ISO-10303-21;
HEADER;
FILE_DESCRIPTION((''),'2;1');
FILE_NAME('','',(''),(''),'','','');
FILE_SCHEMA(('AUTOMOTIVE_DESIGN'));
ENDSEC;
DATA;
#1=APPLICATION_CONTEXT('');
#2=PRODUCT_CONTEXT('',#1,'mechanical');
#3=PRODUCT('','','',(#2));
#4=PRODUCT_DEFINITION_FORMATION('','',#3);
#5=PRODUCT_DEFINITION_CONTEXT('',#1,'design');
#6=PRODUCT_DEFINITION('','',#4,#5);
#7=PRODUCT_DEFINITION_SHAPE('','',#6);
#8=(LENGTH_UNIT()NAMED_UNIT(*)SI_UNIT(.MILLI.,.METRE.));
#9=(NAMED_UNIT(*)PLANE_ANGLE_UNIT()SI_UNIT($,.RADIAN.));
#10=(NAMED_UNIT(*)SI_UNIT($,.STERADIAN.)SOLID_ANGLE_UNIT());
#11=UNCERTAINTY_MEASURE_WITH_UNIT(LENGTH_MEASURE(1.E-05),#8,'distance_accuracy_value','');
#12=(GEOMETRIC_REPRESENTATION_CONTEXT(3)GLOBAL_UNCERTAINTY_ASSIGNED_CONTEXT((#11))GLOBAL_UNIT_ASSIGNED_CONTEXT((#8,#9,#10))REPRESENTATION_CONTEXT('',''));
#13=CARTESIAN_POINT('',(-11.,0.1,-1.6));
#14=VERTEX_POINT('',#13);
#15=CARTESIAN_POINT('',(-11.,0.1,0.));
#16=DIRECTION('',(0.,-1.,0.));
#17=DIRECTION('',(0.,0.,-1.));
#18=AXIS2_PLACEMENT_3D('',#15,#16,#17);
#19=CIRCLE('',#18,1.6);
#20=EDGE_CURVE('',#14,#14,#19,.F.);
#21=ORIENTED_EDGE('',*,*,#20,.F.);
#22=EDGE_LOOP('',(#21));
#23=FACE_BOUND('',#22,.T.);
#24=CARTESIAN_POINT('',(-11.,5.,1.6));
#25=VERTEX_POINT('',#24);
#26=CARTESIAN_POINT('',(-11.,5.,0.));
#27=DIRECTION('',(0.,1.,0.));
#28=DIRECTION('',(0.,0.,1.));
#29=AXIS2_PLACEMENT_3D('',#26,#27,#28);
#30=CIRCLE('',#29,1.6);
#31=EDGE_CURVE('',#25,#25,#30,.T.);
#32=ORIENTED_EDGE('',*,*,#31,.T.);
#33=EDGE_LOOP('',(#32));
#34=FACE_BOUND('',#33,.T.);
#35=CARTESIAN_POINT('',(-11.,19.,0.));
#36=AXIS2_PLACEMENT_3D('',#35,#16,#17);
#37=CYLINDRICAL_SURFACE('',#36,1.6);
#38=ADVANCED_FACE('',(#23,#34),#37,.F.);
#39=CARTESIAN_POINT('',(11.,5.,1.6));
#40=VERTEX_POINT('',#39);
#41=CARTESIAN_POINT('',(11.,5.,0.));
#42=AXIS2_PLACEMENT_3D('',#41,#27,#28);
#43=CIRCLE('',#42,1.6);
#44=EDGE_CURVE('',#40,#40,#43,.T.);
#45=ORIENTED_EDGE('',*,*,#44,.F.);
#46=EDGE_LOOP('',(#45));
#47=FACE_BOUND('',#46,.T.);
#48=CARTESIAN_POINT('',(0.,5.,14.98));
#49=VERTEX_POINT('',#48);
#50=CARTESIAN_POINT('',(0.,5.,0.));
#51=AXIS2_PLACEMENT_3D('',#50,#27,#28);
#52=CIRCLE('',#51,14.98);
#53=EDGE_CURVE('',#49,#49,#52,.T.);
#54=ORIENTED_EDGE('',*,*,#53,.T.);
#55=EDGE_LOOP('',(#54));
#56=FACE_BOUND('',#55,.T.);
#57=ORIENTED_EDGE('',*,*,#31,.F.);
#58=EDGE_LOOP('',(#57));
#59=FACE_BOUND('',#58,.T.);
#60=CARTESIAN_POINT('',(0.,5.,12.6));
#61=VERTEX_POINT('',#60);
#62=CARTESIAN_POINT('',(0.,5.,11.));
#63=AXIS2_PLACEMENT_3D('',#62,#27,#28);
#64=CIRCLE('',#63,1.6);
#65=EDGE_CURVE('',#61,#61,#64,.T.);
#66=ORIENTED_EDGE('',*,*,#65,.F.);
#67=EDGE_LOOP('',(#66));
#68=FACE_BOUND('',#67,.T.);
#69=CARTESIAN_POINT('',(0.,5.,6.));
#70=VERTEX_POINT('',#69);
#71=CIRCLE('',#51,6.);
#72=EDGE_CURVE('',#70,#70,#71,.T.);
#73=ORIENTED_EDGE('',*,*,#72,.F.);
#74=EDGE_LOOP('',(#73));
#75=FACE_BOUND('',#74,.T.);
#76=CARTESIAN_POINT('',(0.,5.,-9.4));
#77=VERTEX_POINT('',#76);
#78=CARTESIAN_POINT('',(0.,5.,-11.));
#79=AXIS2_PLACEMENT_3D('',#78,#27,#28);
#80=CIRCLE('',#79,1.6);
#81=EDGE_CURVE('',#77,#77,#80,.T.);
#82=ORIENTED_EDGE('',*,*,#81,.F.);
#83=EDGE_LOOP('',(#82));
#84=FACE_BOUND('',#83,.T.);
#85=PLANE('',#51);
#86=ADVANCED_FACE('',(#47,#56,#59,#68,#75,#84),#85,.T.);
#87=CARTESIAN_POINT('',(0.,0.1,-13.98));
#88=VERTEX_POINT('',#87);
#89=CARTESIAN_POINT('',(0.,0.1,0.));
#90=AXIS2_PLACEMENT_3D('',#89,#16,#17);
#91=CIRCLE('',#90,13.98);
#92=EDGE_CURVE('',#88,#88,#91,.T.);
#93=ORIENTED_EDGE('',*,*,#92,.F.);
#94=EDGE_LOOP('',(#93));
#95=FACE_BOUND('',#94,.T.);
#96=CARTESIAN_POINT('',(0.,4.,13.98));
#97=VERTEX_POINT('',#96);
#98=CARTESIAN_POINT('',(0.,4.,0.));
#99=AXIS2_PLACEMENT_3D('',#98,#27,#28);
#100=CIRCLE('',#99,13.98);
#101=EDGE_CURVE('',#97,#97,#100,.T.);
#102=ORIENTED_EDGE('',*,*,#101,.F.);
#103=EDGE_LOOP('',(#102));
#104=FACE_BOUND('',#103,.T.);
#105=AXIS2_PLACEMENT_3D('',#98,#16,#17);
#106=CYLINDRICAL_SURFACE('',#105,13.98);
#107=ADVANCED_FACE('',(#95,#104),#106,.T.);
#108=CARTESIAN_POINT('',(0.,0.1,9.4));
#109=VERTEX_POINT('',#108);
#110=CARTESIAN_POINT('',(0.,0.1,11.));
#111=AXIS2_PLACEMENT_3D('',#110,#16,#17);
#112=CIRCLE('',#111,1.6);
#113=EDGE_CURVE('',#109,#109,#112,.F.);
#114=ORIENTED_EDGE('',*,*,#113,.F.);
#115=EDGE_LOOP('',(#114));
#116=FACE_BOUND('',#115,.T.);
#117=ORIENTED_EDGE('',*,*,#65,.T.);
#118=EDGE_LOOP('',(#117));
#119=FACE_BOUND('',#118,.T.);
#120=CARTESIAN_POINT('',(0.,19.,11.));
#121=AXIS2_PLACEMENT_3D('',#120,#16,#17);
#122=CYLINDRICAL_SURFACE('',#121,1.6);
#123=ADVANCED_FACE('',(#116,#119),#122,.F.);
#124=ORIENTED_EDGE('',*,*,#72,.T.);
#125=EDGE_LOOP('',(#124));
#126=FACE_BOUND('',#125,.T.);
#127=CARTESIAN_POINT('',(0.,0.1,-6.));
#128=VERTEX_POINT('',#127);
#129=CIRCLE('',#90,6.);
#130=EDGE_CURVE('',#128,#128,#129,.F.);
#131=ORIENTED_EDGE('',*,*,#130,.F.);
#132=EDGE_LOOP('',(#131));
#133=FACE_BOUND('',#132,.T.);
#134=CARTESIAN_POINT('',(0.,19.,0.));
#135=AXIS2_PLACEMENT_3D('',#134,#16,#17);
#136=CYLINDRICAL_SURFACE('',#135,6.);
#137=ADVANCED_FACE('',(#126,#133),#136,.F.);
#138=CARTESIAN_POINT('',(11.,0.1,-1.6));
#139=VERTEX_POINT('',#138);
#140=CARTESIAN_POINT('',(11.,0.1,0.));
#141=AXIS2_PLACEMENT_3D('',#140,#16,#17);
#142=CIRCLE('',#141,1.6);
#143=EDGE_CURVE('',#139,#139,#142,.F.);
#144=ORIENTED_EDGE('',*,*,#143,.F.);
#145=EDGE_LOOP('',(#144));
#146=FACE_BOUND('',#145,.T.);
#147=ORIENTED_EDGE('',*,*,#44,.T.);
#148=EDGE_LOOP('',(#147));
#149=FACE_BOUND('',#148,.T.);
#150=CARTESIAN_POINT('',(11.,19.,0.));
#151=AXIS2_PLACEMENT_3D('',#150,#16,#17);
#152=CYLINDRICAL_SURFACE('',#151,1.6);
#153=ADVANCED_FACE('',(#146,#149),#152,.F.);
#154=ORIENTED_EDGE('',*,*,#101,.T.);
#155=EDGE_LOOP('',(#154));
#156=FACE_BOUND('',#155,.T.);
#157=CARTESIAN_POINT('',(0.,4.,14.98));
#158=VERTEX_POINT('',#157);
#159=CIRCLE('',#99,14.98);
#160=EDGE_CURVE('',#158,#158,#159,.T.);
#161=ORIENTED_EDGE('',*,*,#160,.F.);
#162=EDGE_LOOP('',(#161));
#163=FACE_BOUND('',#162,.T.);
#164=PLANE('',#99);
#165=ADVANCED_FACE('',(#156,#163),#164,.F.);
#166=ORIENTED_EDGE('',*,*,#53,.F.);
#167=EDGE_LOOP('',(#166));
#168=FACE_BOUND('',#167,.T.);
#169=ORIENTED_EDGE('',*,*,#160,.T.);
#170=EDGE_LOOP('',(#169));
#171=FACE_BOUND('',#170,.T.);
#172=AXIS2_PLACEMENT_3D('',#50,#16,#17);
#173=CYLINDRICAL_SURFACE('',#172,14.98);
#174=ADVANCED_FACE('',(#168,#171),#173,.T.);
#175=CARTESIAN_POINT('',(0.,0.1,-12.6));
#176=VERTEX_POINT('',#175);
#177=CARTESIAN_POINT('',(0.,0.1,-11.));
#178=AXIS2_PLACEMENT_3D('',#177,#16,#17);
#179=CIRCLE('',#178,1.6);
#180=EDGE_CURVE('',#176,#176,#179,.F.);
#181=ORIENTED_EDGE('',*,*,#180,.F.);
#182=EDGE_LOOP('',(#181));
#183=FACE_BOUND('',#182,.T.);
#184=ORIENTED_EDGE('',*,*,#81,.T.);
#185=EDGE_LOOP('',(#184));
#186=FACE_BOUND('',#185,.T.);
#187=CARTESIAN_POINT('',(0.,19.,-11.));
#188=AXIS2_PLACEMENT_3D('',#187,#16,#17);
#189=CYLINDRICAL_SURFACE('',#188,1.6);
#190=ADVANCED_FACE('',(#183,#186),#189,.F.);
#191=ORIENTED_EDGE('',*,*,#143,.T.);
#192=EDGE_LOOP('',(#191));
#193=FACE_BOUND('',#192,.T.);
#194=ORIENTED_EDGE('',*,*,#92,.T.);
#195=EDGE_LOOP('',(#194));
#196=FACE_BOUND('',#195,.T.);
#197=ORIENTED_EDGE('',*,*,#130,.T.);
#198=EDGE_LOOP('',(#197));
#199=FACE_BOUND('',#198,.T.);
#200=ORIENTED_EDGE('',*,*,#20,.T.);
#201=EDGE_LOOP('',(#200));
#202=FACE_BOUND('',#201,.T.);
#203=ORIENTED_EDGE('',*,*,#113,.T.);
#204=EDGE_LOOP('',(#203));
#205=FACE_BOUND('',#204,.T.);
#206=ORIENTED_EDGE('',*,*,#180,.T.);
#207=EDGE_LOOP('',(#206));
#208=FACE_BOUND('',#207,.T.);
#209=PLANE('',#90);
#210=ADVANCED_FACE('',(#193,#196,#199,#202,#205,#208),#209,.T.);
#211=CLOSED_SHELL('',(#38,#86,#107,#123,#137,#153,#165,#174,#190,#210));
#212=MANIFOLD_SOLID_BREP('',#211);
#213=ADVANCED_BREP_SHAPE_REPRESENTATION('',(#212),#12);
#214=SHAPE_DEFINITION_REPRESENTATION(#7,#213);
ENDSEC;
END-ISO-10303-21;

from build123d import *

# Parameters (mm, degrees)
SKETCH_1_R               = 13.98
EXTRUDE_1_DEPTH          = 4
SKETCH_2_R               = 14.98
EXTRUDE_2_DEPTH          = 1
SKETCH_3_R               = 7.97
EXTRUDE_3_DEPTH          = 2
SKETCH_5_R               = 6
SKETCH_5_R_2             = 1.6
CUT_EXTRUDE_1_DEPTH      = 21
SKETCH_7_R               = 13.98
SKETCH_7_R_2             = 7.97
CUT_EXTRUDE_4_DEPTH      = 0.1
CUT_EXTRUDE_5_DEPTH      = 10
CUT_EXTRUDE_5_DEPTH_BACK = 10
SKETCH_8_W               = 15.94
SKETCH_8_H               = 2.1


with BuildPart() as part:
    # 草图1 → 凸台-拉伸1 (new body)
    with BuildSketch(Plane(origin=(0, 0, 0), x_dir=(1, 0, 0), z_dir=(0, 1, 0))):
        Circle(SKETCH_1_R)
    extrude(amount=EXTRUDE_1_DEPTH)

    # 草图2 → 凸台-拉伸2 (add)
    with BuildSketch(Plane(origin=(0, 4, 0), x_dir=(1, 0, 0), z_dir=(0, 1, 0))):
        Circle(SKETCH_2_R)
    extrude(amount=EXTRUDE_2_DEPTH)

    # 草图3 → 凸台-拉伸3 (add)
    with BuildSketch(Plane.XZ):
        Circle(SKETCH_3_R)
    extrude(amount=EXTRUDE_3_DEPTH)

    # 草图5 → 切除-拉伸1 (cut)
    with BuildSketch(Plane.XZ.offset(2)):
        Circle(SKETCH_5_R)
        with Locations((0, 11)):
            Circle(SKETCH_5_R_2)
        with Locations((11, 0)):
            Circle(SKETCH_5_R_2)
        with Locations((0, -11)):
            Circle(SKETCH_5_R_2)
        with Locations((-11, 0)):
            Circle(SKETCH_5_R_2)
    extrude(amount=-CUT_EXTRUDE_1_DEPTH, mode=Mode.SUBTRACT)

    # 草图7 → 切除-拉伸4 (cut)
    with BuildSketch(Plane.XZ):
        Circle(SKETCH_7_R)
        Circle(SKETCH_7_R_2, mode=Mode.SUBTRACT)
    extrude(amount=-CUT_EXTRUDE_4_DEPTH, mode=Mode.SUBTRACT)

    # 草图8 → 切除-拉伸5 (cut, two sides: drawn at the far end of the back side and taken through both)
    with BuildSketch(Plane(origin=(0, 0, 0), x_dir=(0, 0, -1), z_dir=(1, 0, 0)).offset(-CUT_EXTRUDE_5_DEPTH_BACK)):
        with Locations((0, -0.95)):
            Rectangle(SKETCH_8_W, SKETCH_8_H)
    extrude(amount=CUT_EXTRUDE_5_DEPTH + CUT_EXTRUDE_5_DEPTH_BACK, mode=Mode.SUBTRACT)


solid = part.part
